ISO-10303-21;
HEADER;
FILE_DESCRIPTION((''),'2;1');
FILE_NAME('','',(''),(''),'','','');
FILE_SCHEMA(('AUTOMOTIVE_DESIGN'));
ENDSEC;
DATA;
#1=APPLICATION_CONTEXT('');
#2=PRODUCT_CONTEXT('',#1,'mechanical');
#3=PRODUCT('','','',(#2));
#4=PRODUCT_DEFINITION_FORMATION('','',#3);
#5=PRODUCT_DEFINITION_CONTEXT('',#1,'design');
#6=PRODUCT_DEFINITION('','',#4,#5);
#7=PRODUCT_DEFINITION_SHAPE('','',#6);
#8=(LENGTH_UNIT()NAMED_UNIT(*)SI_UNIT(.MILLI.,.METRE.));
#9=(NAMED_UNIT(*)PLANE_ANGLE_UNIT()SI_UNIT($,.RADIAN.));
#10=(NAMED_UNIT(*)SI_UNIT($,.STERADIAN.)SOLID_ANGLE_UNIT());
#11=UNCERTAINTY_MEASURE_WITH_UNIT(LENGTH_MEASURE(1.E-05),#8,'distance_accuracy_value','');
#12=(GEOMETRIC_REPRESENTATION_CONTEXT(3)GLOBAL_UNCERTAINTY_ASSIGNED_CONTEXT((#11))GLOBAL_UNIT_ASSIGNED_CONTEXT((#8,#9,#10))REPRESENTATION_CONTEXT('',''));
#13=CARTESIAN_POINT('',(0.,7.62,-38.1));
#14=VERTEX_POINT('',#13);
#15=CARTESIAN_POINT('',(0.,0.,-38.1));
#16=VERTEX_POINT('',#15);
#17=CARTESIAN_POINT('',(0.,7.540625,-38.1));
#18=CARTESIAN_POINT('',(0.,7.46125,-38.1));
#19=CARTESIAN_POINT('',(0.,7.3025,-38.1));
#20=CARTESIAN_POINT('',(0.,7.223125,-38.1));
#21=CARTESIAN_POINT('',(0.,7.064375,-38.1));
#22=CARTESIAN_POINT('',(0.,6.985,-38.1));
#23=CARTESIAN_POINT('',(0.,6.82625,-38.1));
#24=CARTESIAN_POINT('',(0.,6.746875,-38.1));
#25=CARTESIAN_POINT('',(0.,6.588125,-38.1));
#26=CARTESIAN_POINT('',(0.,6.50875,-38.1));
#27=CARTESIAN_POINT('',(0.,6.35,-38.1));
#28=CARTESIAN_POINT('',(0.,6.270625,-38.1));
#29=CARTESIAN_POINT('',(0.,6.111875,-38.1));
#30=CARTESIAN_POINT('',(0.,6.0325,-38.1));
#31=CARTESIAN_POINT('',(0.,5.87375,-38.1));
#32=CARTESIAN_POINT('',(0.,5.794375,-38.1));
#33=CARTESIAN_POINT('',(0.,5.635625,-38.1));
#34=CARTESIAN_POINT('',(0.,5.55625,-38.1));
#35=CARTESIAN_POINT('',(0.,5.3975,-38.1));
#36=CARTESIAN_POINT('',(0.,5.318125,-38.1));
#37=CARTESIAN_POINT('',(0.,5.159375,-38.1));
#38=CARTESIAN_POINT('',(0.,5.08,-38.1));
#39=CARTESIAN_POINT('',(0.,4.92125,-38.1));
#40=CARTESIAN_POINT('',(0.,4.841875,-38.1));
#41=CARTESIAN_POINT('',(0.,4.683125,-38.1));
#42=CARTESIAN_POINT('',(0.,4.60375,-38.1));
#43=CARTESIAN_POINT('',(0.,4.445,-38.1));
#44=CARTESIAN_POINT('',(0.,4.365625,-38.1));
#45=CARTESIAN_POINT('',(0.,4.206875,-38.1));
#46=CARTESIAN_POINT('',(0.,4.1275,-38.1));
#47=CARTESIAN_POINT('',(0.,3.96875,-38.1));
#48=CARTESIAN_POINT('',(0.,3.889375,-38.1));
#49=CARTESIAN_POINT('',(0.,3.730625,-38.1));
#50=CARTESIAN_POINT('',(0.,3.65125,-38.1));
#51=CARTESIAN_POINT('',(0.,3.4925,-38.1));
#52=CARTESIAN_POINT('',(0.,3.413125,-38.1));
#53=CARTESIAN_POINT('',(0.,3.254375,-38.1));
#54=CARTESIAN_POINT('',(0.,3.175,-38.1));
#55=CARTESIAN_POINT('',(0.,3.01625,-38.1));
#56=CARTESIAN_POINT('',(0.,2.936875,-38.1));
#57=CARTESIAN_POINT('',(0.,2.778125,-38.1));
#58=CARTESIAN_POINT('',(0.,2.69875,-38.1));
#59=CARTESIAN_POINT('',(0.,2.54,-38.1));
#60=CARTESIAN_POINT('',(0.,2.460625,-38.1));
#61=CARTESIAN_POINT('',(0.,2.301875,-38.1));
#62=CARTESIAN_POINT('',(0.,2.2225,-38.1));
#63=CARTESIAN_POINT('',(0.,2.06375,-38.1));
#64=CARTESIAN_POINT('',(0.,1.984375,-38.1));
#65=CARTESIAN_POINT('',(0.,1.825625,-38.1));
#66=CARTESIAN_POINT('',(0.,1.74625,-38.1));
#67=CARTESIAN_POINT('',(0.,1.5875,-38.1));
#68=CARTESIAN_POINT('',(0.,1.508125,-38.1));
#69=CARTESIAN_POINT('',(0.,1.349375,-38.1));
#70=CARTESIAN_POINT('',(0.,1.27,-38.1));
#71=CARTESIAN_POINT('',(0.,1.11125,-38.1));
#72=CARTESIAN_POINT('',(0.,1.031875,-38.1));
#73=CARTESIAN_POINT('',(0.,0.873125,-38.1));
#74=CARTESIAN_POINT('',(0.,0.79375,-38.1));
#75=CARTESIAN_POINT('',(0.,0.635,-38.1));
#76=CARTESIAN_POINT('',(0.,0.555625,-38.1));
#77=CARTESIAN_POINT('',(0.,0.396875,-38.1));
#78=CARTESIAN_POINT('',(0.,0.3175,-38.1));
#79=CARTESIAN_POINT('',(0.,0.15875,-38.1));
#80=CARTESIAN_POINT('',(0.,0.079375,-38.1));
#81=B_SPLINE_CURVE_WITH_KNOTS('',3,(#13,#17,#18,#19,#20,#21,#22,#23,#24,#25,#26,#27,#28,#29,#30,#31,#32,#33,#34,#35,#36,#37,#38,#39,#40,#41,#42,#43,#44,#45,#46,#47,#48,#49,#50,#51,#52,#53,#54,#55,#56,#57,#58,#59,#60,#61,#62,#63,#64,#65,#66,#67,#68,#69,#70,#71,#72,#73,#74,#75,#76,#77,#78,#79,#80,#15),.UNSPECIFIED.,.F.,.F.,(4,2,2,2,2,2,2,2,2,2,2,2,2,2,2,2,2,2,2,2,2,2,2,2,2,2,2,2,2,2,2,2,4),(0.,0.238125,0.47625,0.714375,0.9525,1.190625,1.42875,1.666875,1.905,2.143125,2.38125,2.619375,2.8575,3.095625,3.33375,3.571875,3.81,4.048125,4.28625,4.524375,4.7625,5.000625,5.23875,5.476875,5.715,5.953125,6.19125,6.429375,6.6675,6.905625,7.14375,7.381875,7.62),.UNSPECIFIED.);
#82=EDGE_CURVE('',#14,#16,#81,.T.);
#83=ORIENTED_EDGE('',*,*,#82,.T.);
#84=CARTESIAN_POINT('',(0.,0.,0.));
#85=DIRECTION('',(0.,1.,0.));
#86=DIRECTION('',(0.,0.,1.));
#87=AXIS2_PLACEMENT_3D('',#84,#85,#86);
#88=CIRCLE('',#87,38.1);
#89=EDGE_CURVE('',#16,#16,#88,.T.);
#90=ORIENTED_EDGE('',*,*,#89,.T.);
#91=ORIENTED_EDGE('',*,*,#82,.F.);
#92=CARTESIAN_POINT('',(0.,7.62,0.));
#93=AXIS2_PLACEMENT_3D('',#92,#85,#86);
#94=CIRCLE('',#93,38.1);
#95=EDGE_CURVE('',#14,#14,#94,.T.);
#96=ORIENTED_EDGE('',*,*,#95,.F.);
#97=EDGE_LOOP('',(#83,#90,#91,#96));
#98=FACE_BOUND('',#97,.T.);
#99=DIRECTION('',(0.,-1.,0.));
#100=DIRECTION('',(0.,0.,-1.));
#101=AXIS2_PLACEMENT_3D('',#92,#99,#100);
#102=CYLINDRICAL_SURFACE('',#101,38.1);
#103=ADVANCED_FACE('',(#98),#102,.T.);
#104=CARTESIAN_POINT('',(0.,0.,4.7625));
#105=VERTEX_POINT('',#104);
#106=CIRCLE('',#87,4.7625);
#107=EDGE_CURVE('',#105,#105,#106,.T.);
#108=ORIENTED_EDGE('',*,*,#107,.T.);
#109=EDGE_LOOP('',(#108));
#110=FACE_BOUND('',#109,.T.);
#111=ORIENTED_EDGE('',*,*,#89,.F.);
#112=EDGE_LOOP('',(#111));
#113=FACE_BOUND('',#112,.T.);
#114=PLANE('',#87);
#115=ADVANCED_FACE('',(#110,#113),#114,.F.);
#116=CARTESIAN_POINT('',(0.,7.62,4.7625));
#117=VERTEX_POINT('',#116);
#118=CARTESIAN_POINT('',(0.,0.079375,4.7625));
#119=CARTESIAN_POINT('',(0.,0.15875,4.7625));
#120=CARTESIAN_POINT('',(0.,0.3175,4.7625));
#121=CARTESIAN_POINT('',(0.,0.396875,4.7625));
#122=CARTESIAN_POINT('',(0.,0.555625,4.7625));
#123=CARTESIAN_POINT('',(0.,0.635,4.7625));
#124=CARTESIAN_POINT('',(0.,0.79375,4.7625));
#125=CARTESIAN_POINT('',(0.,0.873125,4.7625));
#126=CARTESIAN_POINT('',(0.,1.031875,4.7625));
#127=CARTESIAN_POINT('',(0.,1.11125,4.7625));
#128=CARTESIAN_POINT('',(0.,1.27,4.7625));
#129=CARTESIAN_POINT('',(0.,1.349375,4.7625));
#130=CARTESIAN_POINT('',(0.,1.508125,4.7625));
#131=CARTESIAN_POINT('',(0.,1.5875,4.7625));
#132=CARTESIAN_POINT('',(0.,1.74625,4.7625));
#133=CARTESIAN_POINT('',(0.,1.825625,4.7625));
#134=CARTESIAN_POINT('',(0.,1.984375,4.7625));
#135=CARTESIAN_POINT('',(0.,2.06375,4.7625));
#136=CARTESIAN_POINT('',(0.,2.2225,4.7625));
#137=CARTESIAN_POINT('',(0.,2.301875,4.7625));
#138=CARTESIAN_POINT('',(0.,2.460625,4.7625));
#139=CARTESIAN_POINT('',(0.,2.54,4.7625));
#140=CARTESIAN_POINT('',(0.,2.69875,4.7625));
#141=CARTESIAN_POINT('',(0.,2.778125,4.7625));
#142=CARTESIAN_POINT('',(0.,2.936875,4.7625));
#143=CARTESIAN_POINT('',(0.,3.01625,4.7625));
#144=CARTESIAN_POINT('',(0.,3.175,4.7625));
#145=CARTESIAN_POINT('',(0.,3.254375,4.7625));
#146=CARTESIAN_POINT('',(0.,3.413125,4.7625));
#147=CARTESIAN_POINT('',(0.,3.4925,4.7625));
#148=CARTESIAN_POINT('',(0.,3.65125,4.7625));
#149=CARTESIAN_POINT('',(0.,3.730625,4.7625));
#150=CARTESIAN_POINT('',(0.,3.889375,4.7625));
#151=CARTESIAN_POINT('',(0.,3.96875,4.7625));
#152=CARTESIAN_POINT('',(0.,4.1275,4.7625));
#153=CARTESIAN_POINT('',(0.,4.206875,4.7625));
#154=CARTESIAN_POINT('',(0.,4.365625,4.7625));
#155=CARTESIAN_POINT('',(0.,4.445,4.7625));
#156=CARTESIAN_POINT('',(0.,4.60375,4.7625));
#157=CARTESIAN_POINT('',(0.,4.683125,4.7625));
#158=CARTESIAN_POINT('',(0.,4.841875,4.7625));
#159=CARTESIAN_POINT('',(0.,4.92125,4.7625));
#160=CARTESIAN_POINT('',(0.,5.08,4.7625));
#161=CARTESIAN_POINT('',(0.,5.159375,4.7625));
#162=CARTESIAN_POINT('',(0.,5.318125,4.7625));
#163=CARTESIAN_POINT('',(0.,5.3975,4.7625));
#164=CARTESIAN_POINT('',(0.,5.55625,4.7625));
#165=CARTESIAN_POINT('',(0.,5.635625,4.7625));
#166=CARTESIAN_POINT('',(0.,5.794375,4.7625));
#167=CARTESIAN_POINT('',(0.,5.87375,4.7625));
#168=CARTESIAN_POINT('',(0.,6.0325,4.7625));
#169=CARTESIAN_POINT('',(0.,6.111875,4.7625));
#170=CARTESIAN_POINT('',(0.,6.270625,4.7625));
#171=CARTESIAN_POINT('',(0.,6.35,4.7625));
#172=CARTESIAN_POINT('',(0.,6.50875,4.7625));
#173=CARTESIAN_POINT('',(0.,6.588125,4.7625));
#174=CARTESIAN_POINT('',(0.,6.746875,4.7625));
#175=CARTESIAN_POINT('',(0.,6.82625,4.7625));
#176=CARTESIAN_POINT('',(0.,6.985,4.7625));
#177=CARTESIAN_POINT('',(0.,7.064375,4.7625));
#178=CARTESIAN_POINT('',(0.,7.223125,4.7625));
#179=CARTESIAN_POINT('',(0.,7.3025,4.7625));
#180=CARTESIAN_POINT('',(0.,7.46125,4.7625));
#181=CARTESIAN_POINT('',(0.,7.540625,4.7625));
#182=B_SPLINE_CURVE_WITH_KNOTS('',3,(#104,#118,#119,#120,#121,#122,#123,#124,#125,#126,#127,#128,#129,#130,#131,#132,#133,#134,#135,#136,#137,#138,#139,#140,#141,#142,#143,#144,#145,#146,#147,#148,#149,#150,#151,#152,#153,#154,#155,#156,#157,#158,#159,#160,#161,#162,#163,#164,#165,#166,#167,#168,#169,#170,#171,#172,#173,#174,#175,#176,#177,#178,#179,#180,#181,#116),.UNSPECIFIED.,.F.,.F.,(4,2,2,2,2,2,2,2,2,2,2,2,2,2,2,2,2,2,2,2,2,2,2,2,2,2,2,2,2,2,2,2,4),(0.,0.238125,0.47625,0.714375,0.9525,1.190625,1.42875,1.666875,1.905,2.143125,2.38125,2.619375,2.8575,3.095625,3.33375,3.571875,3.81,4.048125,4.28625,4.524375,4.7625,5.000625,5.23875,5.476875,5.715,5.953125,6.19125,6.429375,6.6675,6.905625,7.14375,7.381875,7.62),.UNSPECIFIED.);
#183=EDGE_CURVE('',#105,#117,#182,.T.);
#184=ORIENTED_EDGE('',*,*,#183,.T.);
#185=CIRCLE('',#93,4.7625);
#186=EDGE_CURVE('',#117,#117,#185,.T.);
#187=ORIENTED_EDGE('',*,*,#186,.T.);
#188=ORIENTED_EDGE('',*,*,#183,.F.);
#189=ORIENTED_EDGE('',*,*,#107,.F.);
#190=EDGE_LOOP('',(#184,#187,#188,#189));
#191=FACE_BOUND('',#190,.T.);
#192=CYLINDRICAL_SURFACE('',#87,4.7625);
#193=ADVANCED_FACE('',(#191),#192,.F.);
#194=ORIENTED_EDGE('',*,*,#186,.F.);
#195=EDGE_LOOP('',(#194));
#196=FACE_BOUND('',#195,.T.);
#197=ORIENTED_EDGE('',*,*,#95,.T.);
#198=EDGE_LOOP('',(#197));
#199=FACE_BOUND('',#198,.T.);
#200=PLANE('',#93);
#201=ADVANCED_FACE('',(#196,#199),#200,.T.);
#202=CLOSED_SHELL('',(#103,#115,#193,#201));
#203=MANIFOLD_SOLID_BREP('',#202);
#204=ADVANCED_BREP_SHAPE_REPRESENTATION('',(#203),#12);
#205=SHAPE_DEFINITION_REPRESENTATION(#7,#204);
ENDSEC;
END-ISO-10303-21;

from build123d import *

# Parameters (mm, degrees)
SKETCH1_R           = 38.1
BOSS_EXTRUDE1_DEPTH = 7.62
SKETCH2_R           = 4.7625
CUT_EXTRUDE1_DEPTH  = 7.62


with BuildPart() as part:
    # Sketch1 → Boss-Extrude1 (new body)
    with BuildSketch(Plane(origin=(0, 0, 0), x_dir=(1, 0, 0), z_dir=(0, 1, 0))):
        with Locations(Location((0, 0, 0), (0, 0, 90))):
            Circle(SKETCH1_R)
    extrude(amount=BOSS_EXTRUDE1_DEPTH)

    # Sketch2 → Cut-Extrude1 (cut)
    with BuildSketch(Plane(origin=(0, 7.62, 0), x_dir=(1, 0, 0), z_dir=(0, 1, 0))):
        with Locations(Location((0, 0, 0), (0, 0, 270))):
            Circle(SKETCH2_R)
    extrude(amount=-CUT_EXTRUDE1_DEPTH, mode=Mode.SUBTRACT)


solid = part.part
